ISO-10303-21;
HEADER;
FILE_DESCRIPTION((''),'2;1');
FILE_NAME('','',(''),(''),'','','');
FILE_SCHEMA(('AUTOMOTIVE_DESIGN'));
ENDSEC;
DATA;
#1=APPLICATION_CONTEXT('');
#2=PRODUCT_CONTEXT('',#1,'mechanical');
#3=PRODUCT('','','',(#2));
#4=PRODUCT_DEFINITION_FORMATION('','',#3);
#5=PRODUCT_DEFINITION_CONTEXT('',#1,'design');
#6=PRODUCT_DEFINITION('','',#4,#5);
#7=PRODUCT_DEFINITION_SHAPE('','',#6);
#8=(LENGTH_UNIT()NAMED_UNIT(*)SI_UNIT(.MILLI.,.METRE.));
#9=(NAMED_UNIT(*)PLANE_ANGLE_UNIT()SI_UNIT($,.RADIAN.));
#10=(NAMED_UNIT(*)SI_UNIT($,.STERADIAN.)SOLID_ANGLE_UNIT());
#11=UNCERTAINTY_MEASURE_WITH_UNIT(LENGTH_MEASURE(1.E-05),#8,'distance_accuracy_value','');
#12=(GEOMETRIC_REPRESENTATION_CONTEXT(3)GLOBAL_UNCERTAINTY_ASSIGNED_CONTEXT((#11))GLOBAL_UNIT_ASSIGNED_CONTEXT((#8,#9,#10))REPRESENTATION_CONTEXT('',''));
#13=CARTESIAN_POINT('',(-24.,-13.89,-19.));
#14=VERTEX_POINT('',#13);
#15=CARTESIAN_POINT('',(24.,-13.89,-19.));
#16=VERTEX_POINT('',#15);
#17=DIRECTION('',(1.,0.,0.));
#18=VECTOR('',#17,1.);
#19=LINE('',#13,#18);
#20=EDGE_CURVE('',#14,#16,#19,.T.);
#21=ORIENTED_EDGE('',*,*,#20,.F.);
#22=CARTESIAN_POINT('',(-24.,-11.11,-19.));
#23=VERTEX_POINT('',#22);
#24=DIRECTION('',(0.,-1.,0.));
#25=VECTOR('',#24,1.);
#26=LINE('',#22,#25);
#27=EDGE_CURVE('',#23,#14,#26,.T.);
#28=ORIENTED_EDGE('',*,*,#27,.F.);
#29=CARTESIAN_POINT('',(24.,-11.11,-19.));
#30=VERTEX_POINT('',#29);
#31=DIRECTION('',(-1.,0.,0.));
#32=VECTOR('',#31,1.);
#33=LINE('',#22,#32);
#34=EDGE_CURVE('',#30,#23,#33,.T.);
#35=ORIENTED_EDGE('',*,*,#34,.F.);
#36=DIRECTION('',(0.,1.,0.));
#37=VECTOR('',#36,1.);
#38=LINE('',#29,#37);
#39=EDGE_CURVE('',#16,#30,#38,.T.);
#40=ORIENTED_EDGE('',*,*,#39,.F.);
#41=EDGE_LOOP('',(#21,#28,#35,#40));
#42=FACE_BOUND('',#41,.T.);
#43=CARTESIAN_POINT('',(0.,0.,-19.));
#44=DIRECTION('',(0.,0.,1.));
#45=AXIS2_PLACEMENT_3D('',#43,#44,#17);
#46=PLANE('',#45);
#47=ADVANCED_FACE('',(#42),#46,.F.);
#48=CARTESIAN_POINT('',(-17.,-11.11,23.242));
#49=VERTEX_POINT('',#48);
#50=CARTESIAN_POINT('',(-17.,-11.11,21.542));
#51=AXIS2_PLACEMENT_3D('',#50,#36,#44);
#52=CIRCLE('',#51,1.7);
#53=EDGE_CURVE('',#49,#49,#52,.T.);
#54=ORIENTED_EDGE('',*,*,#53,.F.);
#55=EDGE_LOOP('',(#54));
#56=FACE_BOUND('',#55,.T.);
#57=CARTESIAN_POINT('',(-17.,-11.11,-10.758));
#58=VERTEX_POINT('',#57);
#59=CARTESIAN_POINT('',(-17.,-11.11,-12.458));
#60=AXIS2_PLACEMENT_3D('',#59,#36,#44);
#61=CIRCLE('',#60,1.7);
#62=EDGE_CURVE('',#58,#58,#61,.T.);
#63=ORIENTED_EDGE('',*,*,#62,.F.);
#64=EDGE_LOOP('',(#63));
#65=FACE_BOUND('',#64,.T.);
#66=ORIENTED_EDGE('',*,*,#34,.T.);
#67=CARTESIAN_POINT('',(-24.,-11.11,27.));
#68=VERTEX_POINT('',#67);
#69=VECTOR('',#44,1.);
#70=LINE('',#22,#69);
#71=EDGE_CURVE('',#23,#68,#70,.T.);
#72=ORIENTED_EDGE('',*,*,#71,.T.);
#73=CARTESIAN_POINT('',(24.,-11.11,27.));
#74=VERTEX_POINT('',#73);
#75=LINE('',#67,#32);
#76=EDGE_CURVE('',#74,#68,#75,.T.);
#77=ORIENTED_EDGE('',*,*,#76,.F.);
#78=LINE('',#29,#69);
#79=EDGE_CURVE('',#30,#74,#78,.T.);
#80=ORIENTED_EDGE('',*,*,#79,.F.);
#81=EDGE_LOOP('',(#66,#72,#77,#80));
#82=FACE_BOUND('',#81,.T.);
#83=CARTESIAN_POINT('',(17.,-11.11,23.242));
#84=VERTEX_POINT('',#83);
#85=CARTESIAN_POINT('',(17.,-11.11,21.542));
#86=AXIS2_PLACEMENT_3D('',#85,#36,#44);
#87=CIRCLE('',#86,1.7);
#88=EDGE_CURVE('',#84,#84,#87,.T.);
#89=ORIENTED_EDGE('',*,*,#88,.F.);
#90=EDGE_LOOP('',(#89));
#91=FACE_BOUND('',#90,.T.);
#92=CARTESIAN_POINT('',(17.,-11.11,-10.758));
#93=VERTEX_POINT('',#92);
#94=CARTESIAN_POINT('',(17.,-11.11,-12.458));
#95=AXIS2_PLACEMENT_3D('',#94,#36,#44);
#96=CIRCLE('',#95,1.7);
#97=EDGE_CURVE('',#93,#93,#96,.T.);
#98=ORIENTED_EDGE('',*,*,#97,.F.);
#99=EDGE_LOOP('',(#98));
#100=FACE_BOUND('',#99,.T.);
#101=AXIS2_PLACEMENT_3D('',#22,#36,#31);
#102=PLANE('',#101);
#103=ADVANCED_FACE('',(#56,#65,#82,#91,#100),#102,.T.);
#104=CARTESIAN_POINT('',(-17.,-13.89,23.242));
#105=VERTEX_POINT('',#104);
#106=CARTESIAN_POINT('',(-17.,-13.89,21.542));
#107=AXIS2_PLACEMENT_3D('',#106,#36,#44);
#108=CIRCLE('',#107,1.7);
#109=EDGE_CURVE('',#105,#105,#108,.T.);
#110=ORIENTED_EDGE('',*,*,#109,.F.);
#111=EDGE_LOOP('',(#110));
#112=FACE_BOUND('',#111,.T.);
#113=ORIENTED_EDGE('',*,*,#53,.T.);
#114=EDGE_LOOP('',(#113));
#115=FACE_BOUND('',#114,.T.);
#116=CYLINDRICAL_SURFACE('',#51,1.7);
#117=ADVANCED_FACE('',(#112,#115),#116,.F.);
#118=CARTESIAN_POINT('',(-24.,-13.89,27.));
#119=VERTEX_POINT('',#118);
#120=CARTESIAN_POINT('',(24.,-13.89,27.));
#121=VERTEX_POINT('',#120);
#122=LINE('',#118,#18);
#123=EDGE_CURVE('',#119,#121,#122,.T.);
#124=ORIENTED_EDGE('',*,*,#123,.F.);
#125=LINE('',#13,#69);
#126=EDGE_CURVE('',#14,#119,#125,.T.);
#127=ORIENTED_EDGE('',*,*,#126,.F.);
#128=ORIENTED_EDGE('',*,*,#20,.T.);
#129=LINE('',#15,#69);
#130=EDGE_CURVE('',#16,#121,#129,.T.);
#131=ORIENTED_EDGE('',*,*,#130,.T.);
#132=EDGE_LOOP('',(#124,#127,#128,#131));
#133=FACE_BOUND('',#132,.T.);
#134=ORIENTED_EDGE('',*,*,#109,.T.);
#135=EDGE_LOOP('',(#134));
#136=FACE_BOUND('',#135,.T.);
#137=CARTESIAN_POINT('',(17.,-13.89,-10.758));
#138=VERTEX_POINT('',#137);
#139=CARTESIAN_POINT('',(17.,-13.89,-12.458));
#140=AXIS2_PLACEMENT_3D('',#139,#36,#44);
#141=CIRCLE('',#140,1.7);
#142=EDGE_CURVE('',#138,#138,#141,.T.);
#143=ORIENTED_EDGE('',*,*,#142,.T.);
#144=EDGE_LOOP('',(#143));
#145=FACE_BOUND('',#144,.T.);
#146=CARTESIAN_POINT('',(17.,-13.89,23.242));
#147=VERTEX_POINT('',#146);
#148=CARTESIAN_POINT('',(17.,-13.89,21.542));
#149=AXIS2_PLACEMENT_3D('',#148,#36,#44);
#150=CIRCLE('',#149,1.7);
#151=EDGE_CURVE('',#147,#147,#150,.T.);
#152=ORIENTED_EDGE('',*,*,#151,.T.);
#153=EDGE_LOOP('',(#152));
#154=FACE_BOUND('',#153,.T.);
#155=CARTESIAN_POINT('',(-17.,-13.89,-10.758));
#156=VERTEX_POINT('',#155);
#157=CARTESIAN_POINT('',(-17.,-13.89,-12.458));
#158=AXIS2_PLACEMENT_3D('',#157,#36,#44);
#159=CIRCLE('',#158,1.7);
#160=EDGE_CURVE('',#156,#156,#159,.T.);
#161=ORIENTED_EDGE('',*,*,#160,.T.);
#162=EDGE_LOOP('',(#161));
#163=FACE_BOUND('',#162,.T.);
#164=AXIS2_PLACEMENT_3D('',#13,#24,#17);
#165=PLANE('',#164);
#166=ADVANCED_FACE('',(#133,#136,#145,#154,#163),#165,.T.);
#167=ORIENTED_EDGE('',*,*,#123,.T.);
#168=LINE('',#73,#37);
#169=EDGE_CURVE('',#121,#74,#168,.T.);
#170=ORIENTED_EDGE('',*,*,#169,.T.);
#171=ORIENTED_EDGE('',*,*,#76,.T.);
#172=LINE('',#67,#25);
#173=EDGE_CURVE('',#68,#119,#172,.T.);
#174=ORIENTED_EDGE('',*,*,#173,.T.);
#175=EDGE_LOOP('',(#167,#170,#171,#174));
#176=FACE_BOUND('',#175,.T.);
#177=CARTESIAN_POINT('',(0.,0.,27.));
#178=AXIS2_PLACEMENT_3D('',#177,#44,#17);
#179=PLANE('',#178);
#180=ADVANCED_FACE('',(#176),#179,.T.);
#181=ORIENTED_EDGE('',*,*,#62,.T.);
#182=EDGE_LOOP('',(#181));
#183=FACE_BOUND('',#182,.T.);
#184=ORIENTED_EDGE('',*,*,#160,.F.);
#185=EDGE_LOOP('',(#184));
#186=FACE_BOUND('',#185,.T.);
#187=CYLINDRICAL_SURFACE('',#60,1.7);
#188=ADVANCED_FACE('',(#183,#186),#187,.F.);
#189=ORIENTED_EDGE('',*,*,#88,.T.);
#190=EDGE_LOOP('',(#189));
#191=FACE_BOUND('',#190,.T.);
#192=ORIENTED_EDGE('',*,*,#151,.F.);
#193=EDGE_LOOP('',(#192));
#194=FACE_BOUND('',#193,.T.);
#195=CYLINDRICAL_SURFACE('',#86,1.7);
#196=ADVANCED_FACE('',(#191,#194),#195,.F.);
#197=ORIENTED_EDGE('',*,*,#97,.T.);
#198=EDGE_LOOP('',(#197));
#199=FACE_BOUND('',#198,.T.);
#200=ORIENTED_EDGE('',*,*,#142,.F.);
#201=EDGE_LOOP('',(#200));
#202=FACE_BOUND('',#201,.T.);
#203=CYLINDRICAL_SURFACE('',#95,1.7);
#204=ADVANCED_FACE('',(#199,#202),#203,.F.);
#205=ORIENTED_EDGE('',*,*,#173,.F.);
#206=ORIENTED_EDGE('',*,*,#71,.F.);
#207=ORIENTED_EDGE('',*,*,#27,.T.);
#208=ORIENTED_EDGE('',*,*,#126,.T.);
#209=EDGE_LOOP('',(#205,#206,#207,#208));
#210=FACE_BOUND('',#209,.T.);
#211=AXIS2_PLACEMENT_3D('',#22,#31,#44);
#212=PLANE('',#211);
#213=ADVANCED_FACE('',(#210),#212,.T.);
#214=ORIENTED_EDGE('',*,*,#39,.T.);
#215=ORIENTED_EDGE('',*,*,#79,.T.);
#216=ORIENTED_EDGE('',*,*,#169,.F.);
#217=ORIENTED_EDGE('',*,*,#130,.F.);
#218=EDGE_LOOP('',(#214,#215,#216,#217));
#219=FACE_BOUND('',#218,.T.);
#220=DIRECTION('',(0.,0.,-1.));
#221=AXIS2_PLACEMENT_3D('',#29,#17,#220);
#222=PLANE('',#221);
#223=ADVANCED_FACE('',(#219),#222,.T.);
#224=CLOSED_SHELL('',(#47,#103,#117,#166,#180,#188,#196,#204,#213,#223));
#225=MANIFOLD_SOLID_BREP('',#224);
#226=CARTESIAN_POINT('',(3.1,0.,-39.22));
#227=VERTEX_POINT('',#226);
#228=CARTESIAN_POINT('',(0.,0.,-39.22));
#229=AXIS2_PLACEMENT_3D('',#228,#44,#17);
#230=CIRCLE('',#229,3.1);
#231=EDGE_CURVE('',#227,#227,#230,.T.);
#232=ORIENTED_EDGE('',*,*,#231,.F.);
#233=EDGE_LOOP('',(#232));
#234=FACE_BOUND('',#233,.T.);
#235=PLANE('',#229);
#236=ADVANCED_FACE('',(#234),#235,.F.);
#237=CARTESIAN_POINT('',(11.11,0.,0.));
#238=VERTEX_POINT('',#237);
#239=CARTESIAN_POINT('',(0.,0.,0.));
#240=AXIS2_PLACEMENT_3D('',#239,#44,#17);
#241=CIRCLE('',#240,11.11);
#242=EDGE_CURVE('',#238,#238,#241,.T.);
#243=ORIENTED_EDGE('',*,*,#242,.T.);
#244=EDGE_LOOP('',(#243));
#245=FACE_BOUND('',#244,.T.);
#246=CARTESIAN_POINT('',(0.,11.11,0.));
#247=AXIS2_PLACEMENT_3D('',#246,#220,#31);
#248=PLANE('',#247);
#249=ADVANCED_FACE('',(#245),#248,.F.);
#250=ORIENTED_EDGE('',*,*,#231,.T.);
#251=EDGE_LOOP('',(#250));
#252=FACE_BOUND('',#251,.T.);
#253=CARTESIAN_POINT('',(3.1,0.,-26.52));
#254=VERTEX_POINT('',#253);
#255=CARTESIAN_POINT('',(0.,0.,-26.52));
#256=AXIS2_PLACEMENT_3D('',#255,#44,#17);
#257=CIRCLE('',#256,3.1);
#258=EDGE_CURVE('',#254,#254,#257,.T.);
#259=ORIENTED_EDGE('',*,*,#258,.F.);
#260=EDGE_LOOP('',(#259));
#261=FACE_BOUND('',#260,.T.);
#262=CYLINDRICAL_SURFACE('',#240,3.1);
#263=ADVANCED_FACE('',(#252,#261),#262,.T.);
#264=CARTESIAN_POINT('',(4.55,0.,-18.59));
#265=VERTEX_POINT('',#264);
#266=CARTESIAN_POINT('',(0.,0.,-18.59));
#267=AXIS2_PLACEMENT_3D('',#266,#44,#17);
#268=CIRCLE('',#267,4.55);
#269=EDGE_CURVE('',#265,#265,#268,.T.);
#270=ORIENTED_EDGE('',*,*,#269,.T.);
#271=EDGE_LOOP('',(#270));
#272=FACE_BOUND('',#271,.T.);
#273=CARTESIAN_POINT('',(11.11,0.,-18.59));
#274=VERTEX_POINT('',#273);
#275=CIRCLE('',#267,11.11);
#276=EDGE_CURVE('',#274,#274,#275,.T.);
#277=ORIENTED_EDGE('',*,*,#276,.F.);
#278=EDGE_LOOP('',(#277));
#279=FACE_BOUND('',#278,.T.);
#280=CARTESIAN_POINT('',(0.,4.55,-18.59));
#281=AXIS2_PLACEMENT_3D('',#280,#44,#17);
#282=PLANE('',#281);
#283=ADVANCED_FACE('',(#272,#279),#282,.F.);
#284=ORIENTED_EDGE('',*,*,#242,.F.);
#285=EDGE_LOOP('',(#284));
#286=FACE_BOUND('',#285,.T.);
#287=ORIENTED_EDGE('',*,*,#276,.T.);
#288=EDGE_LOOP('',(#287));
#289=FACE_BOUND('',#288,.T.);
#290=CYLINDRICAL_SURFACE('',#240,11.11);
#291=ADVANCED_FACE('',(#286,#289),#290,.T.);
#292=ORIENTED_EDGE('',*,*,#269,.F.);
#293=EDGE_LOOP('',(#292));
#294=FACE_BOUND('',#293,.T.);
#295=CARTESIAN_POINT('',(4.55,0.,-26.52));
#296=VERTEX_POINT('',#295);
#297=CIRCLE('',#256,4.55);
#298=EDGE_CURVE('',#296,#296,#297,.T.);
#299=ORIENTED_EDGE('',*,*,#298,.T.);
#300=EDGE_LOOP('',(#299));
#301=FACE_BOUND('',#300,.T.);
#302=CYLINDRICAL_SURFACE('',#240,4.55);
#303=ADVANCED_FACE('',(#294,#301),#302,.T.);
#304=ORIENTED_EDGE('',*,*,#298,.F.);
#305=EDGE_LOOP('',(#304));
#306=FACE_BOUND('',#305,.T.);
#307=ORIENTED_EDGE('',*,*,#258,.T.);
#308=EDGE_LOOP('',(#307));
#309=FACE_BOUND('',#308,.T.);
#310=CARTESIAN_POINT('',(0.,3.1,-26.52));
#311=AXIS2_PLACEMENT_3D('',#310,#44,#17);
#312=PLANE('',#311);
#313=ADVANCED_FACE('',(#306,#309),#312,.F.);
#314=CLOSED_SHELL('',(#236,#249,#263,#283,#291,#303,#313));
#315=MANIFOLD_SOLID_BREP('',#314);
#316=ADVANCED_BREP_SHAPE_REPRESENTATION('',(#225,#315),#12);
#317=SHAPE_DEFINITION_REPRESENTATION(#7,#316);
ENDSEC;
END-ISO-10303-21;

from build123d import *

# Parameters (mm, degrees)
CROQUIS2_W                            = 48
CROQUIS2_H                            = 2.78
SALIENTE_EXTRUIR1_DEPTH               = 19
CROQUIS2_3_W                          = 48
CROQUIS2_3_H                          = 2.78
SALIENTE_EXTRUIR2_DEPTH               = 27
CROQUIS5_W                            = 1.7
CROQUIS5_H                            = 2.78
TALADRO_DE_MARGEN_PARA_M31_AT_2_COUNT = 2
TALADRO_DE_MARGEN_PARA_M31_AT_2_PITCH = 34
TALADRO_DE_MARGEN_PARA_M31_AT_3_COUNT = 2
TALADRO_DE_MARGEN_PARA_M31_AT_3_PITCH = 48.083261121
TALADRO_DE_MARGEN_PARA_M31_AT_4_COUNT = 2
TALADRO_DE_MARGEN_PARA_M31_AT_4_PITCH = 34


with BuildPart() as part:
    # Croquis1 → Revolución1 (revolve)
    with BuildSketch(Plane(origin=(0, 0, 0), x_dir=(0, 0, -1), z_dir=(1, 0, 0))):
        Polygon((0, 0), (39.22, 0), (39.22, 3.1), (26.52, 3.1), (26.52, 4.55), (18.59, 4.55), (18.59, 11.11), (0, 11.11), align=None)
    revolve(axis=Axis((0, 0, 0), (0, 0, -1)))


with BuildPart() as body_2:
    # Croquis2 → Saliente-Extruir1 (new body)
    with BuildSketch(Plane.XY):
        with Locations((0, -12.5)):
            Rectangle(CROQUIS2_W, CROQUIS2_H)
    extrude(amount=-SALIENTE_EXTRUIR1_DEPTH)

    # Croquis2<3> → Saliente-Extruir2 (add)
    with BuildSketch(Plane.XY):
        with Locations((0, -12.5)):
            Rectangle(CROQUIS2_3_W, CROQUIS2_3_H)
    extrude(amount=SALIENTE_EXTRUIR2_DEPTH)

    # Croquis5 → Taladro de margen para M31 (revolve, cut)
    with BuildSketch(Plane(origin=(-17, -11.11, -12.458), x_dir=(0, 0, 1), z_dir=(1, 0, 0))):
        with Locations((0.85, 1.39)):
            Rectangle(CROQUIS5_W, CROQUIS5_H)
    taladro_de_margen_para_m31 = revolve(axis=Axis((-17, -4.76, -12.458), (0, -1, 0)), mode=Mode.SUBTRACT)

    # Taladro de margen para M31 at 2: Taladro de margen para M31 ×2
    with Locations(*[(0, 0, i * TALADRO_DE_MARGEN_PARA_M31_AT_2_PITCH) for i in range(1, TALADRO_DE_MARGEN_PARA_M31_AT_2_COUNT)]):
        add(taladro_de_margen_para_m31, mode=Mode.SUBTRACT)

    # Taladro de margen para M31 at 3: Taladro de margen para M31 ×2
    with Locations(*[Vector(0.7071067811865476, 0, 0.7071067811865476) * (i * TALADRO_DE_MARGEN_PARA_M31_AT_3_PITCH) for i in range(1, TALADRO_DE_MARGEN_PARA_M31_AT_3_COUNT)]):
        add(taladro_de_margen_para_m31, mode=Mode.SUBTRACT)

    # Taladro de margen para M31 at 4: Taladro de margen para M31 ×2
    with Locations(*[(i * TALADRO_DE_MARGEN_PARA_M31_AT_4_PITCH, 0, 0) for i in range(1, TALADRO_DE_MARGEN_PARA_M31_AT_4_COUNT)]):
        add(taladro_de_margen_para_m31, mode=Mode.SUBTRACT)


solid = Compound([part.part, body_2.part])
